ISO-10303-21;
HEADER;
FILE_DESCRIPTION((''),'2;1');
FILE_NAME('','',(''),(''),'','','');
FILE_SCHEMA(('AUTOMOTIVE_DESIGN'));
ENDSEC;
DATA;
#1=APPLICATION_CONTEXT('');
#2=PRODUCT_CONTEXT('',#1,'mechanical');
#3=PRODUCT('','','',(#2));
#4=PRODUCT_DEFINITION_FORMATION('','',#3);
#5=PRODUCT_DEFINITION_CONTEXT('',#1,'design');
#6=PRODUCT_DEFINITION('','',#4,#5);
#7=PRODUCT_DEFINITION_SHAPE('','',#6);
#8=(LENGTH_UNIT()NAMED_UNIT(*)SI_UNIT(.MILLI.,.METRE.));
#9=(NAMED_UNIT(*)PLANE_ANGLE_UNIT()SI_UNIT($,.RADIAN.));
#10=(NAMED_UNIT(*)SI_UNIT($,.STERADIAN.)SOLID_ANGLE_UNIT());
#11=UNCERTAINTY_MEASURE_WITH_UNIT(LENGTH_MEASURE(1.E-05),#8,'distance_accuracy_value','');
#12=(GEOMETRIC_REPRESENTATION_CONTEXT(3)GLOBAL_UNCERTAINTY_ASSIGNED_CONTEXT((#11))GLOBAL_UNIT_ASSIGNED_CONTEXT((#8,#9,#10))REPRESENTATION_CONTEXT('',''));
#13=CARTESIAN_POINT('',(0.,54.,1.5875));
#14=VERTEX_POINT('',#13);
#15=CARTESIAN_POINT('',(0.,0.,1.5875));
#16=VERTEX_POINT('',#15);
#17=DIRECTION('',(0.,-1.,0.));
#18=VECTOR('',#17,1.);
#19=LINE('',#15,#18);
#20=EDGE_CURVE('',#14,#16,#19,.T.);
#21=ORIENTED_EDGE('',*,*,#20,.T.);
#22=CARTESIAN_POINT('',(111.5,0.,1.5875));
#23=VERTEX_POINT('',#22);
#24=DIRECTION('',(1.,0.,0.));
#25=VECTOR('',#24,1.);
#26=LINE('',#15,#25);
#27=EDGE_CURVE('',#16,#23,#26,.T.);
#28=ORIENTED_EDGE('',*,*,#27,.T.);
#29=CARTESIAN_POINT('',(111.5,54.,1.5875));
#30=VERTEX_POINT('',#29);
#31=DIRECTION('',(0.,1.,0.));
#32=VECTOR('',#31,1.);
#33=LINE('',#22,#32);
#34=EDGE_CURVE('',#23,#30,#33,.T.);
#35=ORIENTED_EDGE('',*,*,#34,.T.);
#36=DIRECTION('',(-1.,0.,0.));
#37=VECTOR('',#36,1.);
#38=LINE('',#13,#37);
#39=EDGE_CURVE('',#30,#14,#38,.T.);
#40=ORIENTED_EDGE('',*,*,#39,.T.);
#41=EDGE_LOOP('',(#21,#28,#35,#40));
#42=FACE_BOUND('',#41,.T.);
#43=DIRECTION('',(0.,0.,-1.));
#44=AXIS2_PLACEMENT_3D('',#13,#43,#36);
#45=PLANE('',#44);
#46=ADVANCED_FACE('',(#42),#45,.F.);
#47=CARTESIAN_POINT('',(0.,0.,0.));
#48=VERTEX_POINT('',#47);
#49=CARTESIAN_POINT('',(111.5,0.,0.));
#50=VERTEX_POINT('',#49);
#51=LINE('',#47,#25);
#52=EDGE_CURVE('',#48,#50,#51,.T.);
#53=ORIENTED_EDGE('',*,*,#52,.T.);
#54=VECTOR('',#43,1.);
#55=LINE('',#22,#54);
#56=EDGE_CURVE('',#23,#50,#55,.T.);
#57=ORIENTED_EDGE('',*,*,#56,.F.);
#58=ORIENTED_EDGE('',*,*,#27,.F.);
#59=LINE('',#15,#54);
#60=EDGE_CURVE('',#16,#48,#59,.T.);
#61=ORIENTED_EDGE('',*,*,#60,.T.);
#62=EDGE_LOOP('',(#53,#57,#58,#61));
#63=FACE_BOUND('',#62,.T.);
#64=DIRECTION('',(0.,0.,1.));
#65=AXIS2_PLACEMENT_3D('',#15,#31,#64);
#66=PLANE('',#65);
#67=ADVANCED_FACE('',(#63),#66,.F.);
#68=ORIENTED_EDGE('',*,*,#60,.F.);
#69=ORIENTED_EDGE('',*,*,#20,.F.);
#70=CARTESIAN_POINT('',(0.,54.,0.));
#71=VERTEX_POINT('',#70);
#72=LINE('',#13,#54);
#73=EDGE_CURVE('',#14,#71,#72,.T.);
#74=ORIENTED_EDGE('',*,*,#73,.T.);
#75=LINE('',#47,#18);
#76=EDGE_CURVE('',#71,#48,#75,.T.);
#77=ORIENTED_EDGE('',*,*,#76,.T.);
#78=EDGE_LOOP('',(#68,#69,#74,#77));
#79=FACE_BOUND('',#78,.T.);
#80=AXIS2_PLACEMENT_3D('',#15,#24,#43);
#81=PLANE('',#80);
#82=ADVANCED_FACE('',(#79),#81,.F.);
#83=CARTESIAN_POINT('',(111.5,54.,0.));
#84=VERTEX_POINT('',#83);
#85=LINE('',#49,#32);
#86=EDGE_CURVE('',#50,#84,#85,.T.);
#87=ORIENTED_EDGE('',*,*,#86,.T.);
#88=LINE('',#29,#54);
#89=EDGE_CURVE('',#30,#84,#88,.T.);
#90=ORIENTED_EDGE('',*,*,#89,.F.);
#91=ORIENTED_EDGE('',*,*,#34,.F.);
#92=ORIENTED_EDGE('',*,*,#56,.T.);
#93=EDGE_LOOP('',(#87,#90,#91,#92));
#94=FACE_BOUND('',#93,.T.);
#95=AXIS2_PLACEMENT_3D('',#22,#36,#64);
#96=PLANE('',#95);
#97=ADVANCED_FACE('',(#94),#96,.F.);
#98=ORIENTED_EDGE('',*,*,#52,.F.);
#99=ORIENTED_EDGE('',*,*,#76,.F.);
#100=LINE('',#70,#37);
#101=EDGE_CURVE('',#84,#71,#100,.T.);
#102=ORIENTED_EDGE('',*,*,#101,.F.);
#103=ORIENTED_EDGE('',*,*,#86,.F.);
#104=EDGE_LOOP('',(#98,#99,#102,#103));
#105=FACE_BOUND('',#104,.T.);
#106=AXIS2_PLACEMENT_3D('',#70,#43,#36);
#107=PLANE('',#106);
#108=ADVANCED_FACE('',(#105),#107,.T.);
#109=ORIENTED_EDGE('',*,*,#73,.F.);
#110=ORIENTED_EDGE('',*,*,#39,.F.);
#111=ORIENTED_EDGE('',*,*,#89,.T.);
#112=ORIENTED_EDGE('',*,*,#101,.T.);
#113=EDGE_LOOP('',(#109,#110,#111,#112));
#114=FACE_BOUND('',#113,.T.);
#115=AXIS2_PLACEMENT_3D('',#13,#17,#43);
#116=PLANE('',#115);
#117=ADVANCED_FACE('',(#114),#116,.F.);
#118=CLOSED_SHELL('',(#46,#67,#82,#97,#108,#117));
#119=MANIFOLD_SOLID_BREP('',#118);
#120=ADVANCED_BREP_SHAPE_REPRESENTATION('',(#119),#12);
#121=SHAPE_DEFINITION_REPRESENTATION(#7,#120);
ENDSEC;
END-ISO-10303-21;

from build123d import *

# Parameters (mm, degrees)
SKETCH1_W           = 111.5
SKETCH1_H           = 54
BOSS_EXTRUDE1_DEPTH = 1.5875


with BuildPart() as part:
    # Sketch1 → Boss-Extrude1 (new body)
    with BuildSketch(Plane.XY):
        with Locations((55.75, 27)):
            Rectangle(SKETCH1_W, SKETCH1_H)
    extrude(amount=BOSS_EXTRUDE1_DEPTH)


solid = part.part
